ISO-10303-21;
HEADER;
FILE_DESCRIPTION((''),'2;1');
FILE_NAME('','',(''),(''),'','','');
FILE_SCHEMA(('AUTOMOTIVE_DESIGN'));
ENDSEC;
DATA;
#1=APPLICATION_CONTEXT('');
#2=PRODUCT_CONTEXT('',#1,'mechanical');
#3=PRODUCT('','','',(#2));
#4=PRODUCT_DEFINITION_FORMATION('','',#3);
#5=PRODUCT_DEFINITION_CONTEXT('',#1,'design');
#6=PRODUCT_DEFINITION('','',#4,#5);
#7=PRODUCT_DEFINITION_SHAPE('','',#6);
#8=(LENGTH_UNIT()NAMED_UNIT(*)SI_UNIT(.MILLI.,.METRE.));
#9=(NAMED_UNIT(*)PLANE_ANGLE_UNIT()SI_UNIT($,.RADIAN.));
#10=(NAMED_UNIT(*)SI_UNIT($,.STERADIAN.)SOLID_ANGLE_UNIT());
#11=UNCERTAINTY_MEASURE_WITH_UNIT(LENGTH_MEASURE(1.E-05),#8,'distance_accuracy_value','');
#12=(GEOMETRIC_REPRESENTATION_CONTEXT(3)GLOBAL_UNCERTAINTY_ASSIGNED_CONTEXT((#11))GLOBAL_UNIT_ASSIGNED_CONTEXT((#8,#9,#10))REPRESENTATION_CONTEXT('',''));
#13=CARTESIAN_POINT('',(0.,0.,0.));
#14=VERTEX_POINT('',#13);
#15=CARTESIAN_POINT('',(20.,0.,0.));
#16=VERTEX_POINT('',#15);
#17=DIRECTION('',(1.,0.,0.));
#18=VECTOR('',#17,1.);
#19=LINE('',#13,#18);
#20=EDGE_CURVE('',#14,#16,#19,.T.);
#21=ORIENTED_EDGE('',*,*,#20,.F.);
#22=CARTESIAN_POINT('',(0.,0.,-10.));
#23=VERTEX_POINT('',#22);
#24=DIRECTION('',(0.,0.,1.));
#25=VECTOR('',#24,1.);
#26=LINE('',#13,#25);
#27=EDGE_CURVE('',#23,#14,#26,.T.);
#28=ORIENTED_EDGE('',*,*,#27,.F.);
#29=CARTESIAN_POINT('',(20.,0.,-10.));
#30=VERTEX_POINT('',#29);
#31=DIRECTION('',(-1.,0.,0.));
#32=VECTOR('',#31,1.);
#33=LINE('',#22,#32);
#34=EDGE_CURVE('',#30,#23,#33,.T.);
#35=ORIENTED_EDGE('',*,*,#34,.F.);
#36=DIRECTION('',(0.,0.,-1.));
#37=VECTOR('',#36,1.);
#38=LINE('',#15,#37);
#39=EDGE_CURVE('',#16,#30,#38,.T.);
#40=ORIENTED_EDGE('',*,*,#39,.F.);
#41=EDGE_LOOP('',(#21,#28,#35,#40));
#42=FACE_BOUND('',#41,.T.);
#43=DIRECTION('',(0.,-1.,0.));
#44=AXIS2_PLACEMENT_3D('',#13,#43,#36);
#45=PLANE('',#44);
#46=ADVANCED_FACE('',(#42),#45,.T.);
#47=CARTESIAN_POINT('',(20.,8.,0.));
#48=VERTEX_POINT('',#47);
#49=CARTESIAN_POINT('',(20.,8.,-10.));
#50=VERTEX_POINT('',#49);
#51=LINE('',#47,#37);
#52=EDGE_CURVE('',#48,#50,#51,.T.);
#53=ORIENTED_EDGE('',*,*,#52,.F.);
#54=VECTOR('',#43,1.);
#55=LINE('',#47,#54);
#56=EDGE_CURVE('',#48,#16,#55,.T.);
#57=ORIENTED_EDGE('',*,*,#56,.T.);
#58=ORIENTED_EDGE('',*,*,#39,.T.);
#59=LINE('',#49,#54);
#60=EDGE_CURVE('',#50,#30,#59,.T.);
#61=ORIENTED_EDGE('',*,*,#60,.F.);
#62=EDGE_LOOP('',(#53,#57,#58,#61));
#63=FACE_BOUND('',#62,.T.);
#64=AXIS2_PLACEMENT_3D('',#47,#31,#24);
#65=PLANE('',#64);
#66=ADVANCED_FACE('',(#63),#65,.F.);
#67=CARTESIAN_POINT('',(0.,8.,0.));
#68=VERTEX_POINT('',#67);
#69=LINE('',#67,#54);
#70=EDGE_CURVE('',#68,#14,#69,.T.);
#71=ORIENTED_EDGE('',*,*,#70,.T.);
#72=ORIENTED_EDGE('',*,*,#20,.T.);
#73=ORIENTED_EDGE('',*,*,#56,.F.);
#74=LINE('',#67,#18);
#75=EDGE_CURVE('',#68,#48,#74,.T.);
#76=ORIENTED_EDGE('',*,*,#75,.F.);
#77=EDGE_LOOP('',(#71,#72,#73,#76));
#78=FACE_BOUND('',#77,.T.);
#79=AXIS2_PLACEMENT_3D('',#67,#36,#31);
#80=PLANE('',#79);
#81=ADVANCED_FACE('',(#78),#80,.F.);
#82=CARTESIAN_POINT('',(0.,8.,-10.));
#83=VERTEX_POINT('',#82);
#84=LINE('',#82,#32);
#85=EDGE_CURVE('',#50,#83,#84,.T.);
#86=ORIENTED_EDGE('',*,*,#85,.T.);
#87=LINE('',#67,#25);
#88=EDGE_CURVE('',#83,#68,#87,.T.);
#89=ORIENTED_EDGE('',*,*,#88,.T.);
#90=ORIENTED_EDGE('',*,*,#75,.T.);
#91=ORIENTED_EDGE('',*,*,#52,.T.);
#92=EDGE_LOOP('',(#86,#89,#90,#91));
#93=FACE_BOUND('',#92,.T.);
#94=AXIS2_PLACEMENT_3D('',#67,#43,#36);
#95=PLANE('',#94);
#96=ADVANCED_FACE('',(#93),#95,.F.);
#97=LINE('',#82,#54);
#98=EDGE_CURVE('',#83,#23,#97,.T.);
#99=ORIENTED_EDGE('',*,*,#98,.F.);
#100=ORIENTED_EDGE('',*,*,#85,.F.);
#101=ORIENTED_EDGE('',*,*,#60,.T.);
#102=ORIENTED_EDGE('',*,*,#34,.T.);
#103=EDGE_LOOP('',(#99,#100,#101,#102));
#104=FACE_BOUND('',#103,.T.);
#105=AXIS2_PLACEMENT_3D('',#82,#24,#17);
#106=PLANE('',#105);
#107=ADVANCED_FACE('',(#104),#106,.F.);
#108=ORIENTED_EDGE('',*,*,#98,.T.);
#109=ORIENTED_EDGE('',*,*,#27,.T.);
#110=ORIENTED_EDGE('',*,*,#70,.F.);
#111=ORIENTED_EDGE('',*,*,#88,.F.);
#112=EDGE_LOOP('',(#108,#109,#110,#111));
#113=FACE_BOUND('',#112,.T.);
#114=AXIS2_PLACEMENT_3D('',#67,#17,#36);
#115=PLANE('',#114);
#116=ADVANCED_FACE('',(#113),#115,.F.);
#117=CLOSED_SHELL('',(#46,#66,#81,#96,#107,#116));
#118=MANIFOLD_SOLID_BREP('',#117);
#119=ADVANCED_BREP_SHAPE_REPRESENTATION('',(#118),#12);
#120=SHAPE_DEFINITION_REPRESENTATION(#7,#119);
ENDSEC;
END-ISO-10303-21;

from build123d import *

# Parameters (mm, degrees)
SKETCH1_W           = 20
SKETCH1_H           = 10
BOSS_EXTRUDE1_DEPTH = 8


with BuildPart() as part:
    # Sketch1 → Boss-Extrude1 (new body)
    with BuildSketch(Plane(origin=(0, 0, 0), x_dir=(1, 0, 0), z_dir=(0, 1, 0))):
        with Locations((10, 5)):
            Rectangle(SKETCH1_W, SKETCH1_H)
    extrude(amount=BOSS_EXTRUDE1_DEPTH)


solid = part.part
